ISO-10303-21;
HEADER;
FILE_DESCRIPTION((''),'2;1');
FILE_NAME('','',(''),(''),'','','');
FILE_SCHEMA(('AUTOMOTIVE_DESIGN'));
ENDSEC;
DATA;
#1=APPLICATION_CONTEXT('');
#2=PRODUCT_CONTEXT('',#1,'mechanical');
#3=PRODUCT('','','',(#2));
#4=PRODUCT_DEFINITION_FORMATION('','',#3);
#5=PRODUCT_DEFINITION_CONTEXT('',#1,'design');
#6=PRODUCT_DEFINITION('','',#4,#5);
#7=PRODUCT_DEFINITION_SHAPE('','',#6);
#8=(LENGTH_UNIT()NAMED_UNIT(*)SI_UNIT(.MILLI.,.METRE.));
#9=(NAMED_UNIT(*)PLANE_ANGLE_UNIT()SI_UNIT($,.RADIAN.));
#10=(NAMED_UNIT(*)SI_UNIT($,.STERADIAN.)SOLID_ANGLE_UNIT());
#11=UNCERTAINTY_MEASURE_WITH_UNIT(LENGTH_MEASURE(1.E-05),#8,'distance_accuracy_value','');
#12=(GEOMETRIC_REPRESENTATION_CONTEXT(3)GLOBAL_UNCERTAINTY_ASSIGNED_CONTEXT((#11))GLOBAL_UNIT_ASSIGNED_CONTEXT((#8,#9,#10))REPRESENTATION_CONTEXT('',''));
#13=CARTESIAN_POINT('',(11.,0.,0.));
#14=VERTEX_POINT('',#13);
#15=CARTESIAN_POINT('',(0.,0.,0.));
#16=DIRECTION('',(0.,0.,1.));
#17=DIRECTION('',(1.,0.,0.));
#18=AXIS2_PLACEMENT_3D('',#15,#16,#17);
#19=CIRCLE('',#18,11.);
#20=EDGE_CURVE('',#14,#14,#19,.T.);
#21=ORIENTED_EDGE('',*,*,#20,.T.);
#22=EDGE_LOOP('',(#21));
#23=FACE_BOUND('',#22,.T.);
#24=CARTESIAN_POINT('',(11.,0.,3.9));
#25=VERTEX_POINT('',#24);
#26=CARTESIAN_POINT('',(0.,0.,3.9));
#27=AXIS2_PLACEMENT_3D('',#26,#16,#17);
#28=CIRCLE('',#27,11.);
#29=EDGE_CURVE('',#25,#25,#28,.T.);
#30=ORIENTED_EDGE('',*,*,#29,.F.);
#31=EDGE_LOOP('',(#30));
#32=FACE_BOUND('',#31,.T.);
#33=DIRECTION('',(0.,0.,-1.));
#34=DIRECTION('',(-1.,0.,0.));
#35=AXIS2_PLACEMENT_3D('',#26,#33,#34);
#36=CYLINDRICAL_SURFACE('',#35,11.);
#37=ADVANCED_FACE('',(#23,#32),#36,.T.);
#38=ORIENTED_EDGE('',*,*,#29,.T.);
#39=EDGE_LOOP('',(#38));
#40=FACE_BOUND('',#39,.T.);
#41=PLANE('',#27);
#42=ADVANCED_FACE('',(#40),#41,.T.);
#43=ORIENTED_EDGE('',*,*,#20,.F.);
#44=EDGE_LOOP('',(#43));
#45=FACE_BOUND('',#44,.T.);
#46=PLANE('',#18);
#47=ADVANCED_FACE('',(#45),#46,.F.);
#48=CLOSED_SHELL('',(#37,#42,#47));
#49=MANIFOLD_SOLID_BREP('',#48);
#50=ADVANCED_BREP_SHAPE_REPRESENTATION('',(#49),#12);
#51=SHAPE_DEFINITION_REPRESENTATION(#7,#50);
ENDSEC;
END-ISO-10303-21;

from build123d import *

# Parameters (mm, degrees)
SKETCH3_R           = 11
BOSS_EXTRUDE1_DEPTH = 3.9


with BuildPart() as part:
    # Sketch3 → Boss-Extrude1 (new body)
    with BuildSketch(Plane.XY):
        Circle(SKETCH3_R)
    extrude(amount=BOSS_EXTRUDE1_DEPTH)


solid = part.part
